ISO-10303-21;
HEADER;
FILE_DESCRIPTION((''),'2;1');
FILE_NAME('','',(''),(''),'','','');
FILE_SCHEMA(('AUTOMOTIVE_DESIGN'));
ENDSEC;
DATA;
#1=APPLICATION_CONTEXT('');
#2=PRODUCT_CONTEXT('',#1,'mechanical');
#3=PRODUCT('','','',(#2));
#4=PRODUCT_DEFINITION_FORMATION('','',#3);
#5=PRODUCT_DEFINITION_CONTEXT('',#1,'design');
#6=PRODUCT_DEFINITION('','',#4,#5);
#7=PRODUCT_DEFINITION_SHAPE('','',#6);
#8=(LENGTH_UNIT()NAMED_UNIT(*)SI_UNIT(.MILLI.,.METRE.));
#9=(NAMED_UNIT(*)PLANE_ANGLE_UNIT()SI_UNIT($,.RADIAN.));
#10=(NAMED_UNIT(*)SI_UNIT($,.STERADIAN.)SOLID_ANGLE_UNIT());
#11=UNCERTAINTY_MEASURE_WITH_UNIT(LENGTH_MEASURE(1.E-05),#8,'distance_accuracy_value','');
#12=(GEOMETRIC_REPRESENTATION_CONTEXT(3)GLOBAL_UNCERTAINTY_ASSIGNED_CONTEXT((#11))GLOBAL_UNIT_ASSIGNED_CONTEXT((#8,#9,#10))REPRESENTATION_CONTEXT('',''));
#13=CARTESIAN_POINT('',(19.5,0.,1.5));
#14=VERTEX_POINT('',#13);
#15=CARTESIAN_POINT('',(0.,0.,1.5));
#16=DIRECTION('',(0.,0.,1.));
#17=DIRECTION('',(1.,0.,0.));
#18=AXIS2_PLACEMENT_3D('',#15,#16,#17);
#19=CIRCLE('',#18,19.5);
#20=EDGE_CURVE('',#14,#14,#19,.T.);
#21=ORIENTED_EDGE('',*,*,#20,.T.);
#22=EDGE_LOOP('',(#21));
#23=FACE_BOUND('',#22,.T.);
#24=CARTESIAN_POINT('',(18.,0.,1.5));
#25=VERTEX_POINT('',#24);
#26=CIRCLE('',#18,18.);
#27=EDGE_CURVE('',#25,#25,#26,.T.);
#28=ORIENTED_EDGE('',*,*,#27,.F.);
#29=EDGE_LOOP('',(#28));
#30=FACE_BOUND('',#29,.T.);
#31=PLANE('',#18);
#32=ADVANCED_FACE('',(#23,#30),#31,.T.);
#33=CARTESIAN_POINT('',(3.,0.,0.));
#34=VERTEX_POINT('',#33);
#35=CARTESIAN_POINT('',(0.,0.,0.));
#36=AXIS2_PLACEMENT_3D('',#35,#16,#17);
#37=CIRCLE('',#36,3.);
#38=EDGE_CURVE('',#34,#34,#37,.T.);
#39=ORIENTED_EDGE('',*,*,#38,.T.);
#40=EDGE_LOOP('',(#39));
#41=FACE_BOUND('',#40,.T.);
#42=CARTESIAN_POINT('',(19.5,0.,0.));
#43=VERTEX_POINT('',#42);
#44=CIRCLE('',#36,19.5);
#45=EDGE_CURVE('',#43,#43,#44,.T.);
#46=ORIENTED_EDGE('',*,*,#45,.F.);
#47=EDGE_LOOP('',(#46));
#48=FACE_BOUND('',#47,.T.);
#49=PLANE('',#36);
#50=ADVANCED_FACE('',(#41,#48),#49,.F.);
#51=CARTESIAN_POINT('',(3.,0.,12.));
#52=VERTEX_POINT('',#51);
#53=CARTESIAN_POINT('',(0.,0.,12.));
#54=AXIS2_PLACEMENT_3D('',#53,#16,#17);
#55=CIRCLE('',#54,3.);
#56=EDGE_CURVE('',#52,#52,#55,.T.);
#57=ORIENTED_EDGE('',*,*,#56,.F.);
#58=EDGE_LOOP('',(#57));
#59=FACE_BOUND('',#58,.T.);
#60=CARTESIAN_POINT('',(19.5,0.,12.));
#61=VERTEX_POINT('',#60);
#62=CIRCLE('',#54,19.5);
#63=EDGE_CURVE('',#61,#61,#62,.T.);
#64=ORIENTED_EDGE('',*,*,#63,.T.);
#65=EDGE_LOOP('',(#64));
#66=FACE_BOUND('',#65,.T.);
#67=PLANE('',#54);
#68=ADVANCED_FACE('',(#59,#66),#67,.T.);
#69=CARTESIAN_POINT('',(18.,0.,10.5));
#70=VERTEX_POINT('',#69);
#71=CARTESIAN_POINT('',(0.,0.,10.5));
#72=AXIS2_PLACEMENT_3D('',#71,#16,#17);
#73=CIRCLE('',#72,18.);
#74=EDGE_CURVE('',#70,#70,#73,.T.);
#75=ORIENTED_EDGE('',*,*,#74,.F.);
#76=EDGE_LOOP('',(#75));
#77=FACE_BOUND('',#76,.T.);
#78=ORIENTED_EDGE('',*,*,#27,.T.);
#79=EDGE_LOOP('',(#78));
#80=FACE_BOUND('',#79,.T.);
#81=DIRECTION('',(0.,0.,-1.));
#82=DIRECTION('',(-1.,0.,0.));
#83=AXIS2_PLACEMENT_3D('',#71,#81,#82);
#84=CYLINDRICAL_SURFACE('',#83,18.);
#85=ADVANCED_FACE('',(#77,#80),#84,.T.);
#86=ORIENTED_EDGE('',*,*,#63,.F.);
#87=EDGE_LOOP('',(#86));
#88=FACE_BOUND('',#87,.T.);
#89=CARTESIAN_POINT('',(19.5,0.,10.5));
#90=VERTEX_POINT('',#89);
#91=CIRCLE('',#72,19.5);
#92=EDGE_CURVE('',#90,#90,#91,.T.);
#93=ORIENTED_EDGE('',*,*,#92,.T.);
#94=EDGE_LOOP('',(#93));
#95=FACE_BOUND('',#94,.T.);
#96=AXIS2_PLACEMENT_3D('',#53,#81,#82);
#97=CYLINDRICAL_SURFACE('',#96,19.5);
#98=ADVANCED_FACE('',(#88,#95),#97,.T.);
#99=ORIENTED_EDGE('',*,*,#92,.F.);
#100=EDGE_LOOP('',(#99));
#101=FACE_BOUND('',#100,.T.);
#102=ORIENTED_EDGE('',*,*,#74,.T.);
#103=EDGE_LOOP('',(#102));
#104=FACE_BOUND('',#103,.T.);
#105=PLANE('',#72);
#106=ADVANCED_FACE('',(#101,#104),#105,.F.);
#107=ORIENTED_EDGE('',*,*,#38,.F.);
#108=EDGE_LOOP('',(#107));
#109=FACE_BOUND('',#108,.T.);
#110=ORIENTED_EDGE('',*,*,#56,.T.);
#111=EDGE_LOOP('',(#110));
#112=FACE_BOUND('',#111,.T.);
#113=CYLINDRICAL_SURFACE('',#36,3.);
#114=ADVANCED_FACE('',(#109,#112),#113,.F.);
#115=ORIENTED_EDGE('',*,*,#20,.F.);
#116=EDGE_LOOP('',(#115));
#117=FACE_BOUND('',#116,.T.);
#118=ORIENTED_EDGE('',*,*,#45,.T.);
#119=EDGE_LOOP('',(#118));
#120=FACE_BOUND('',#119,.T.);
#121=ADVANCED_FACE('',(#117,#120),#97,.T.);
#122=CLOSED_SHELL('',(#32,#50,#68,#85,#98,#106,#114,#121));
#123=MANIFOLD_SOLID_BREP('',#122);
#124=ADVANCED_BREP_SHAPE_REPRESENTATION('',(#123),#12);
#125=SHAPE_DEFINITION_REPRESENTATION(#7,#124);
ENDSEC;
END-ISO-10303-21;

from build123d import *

# Parameters (mm, degrees)
SKETCH_1_R               = 19.5
EXTRUDE_1_DEPTH          = 12
CUT_EXTRUDE_1_DEPTH      = 4.5
CUT_EXTRUDE_1_DEPTH_BACK = 4.5
SKETCH_2_R               = 19.5
SKETCH_2_R_2             = 18
SKETCH_3_R               = 3
CUT_EXTRUDE_2_DEPTH      = 31.074906484


with BuildPart() as part:
    # 草图1 → 凸台-拉伸1 (new body)
    with BuildSketch(Plane.XY):
        Circle(SKETCH_1_R)
    extrude(amount=EXTRUDE_1_DEPTH)

    # 草图2 → 切除-拉伸1 (cut, two sides: drawn at the far end of the back side and taken through both)
    with BuildSketch(Plane.XY.offset(6).offset(-CUT_EXTRUDE_1_DEPTH_BACK)):
        Circle(SKETCH_2_R)
        Circle(SKETCH_2_R_2, mode=Mode.SUBTRACT)
    extrude(amount=CUT_EXTRUDE_1_DEPTH + CUT_EXTRUDE_1_DEPTH_BACK, mode=Mode.SUBTRACT)

    # 草图3 → 切除-拉伸2 (cut, through all)
    with BuildSketch(Plane.XY.offset(12)):
        Circle(SKETCH_3_R)
    extrude(amount=-CUT_EXTRUDE_2_DEPTH, mode=Mode.SUBTRACT)


solid = part.part
